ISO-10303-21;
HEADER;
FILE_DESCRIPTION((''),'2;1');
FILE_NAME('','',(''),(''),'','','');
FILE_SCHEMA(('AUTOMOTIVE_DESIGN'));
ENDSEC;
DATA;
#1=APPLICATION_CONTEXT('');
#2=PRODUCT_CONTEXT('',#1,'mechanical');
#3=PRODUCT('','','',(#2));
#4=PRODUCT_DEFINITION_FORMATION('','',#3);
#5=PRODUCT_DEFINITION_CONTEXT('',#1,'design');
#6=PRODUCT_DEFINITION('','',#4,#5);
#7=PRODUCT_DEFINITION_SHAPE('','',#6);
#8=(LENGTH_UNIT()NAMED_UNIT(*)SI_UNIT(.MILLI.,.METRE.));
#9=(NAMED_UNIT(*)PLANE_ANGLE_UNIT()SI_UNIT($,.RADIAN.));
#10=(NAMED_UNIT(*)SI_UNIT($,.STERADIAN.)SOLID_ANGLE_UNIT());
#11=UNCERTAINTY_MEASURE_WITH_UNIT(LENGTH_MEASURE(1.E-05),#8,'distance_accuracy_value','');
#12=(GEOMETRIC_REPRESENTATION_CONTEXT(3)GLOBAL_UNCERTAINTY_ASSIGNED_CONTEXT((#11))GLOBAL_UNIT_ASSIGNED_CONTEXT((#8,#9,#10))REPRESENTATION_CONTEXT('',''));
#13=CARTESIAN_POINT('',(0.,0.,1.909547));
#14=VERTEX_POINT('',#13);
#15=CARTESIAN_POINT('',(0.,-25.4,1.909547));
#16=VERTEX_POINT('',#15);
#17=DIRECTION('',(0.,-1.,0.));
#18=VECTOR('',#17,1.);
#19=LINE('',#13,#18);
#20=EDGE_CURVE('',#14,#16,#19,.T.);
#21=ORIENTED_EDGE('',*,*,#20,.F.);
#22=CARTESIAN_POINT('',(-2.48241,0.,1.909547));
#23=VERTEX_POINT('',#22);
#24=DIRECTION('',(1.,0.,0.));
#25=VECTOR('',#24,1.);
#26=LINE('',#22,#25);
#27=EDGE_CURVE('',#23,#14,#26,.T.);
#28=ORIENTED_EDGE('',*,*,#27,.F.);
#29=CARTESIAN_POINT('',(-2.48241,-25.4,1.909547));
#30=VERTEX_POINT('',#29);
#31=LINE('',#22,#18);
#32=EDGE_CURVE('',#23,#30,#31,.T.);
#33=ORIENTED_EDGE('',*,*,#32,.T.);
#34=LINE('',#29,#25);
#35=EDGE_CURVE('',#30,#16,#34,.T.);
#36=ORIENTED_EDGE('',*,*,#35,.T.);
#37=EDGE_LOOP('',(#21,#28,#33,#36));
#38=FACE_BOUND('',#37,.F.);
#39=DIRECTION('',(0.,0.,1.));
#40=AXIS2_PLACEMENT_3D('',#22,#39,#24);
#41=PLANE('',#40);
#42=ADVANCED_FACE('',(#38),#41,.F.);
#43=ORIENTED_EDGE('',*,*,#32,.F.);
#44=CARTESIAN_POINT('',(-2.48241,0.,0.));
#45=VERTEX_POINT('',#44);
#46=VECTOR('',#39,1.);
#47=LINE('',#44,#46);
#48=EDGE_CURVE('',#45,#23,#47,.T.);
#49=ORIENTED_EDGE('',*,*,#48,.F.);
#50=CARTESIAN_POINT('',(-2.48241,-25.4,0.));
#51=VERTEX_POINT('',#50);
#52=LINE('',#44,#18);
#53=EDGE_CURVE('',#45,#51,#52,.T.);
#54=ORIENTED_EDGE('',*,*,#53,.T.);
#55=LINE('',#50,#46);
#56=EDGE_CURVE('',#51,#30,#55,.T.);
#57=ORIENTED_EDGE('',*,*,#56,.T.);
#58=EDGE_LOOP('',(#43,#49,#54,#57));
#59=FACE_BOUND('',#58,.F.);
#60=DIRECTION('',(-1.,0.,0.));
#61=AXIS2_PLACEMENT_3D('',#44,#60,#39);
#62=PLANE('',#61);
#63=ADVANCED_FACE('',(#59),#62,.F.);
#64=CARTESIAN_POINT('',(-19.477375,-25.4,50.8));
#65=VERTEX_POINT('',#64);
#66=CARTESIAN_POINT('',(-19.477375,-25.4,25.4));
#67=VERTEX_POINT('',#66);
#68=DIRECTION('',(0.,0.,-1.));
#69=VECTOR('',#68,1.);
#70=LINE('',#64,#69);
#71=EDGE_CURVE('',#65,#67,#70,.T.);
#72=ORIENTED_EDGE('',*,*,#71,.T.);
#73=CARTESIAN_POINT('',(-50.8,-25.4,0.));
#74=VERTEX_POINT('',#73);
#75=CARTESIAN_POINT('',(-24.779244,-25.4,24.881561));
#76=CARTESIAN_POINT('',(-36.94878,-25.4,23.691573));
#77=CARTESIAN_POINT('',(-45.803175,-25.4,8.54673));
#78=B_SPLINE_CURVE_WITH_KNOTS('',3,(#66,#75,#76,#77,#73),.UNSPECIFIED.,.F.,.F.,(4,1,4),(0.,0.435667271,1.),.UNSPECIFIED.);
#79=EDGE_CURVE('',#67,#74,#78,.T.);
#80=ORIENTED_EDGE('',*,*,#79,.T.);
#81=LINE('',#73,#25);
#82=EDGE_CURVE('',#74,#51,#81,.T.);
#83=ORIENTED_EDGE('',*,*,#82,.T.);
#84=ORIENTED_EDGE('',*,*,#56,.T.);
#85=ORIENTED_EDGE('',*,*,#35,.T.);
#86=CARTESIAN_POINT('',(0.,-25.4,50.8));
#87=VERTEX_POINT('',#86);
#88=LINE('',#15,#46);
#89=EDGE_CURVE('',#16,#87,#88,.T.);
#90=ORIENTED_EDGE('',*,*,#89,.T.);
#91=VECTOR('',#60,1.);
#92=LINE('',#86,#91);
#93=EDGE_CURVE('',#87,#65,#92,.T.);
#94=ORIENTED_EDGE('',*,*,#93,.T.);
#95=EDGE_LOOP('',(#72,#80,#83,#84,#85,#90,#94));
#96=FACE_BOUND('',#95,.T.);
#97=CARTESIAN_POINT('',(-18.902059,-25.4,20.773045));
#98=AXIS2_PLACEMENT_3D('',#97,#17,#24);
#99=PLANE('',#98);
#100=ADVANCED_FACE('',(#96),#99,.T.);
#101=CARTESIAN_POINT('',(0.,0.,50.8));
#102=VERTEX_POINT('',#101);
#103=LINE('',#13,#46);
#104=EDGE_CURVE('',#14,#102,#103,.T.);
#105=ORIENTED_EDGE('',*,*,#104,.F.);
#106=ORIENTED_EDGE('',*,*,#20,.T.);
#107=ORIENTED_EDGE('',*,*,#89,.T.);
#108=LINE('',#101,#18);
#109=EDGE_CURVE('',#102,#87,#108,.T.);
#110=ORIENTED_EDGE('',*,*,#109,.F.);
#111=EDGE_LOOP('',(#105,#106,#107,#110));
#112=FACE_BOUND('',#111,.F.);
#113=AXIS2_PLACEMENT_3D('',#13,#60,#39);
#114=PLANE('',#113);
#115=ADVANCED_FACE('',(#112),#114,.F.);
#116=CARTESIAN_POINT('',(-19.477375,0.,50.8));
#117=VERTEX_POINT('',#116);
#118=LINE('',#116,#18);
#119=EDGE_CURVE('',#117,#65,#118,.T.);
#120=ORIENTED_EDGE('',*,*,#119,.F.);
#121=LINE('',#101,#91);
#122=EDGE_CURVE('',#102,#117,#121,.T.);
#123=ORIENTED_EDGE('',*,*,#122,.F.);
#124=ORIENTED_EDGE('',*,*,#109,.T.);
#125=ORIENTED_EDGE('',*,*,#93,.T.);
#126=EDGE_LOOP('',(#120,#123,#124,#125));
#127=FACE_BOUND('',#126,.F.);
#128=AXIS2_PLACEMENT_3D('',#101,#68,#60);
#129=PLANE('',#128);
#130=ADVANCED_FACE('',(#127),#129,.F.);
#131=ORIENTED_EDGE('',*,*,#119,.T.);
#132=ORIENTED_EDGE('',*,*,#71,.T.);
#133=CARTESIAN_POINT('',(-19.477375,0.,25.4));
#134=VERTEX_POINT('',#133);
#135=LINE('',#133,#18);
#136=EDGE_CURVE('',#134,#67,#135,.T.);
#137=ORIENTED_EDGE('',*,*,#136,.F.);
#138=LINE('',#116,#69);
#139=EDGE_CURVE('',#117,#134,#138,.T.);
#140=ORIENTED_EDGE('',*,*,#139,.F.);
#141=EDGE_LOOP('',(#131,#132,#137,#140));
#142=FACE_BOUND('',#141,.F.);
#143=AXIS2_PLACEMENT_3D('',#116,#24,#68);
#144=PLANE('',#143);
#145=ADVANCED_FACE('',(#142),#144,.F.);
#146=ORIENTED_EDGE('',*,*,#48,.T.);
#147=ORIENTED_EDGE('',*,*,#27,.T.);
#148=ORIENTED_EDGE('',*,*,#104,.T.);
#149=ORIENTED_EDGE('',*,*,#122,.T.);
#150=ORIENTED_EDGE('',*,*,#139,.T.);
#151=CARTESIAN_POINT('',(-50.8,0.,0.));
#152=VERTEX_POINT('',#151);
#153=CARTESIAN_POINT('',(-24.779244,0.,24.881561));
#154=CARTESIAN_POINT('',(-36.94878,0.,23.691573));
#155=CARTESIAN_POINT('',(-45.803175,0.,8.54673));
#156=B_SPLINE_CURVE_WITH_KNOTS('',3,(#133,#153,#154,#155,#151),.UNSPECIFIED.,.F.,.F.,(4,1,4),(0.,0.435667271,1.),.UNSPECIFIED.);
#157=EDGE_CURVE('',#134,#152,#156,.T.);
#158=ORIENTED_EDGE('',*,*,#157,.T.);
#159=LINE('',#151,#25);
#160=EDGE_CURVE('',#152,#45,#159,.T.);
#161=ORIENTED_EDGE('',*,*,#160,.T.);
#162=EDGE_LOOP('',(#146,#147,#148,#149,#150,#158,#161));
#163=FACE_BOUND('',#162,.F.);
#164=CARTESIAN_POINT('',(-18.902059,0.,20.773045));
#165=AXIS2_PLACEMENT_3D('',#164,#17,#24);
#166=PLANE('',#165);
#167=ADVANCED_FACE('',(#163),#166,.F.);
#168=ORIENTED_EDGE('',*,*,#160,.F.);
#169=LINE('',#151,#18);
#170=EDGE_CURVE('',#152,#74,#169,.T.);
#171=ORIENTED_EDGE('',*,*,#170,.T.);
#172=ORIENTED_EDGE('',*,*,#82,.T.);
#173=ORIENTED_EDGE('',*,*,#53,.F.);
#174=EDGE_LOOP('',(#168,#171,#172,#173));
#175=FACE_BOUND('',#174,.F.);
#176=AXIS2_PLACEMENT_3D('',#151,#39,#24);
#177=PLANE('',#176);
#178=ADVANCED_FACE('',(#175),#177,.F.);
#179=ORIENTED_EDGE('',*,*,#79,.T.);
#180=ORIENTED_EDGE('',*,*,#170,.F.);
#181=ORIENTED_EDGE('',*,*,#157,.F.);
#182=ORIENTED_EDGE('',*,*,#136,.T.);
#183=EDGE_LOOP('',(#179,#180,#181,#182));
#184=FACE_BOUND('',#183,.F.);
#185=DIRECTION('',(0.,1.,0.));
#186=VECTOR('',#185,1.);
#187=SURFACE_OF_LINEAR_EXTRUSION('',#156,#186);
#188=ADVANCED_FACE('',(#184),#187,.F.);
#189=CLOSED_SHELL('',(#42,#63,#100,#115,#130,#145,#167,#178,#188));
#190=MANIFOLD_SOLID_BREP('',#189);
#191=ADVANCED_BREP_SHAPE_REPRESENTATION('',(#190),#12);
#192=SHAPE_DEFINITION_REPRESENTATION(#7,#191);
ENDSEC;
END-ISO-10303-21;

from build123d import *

# Parameters (mm, degrees)
F1_DEPTH = 25.4


with BuildPart() as f1:
    # F0 (on Front) → F1 (new body)
    with BuildSketch(Plane.XZ):
        with BuildLine():
            Line((-50.8, 0), (-2.4824102875, 0))
            Line((-2.4824102875, 0), (-2.4824102875, 1.9095465541))
            Line((-2.4824102875, 1.9095465541), (0, 1.9095465541))
            Line((0, 1.9095465541), (0, 50.8))
            Line((0, 50.8), (-19.4773748517, 50.8))
            Line((-19.4773748517, 50.8), (-19.4773748517, 25.4))
            add(Edge.make_bspline(
                [(-19.4773748517, 25.4), (-24.7792435241, 24.8815610992), (-36.9487798435, 23.6915729228), (-45.8031750089, 8.5467303473), (-50.8, 0)],
                knots=[0, 0, 0, 0, 0.4356672706, 1, 1, 1, 1], degree=3))
        make_face()
    extrude(amount=F1_DEPTH)


solid = f1.part
